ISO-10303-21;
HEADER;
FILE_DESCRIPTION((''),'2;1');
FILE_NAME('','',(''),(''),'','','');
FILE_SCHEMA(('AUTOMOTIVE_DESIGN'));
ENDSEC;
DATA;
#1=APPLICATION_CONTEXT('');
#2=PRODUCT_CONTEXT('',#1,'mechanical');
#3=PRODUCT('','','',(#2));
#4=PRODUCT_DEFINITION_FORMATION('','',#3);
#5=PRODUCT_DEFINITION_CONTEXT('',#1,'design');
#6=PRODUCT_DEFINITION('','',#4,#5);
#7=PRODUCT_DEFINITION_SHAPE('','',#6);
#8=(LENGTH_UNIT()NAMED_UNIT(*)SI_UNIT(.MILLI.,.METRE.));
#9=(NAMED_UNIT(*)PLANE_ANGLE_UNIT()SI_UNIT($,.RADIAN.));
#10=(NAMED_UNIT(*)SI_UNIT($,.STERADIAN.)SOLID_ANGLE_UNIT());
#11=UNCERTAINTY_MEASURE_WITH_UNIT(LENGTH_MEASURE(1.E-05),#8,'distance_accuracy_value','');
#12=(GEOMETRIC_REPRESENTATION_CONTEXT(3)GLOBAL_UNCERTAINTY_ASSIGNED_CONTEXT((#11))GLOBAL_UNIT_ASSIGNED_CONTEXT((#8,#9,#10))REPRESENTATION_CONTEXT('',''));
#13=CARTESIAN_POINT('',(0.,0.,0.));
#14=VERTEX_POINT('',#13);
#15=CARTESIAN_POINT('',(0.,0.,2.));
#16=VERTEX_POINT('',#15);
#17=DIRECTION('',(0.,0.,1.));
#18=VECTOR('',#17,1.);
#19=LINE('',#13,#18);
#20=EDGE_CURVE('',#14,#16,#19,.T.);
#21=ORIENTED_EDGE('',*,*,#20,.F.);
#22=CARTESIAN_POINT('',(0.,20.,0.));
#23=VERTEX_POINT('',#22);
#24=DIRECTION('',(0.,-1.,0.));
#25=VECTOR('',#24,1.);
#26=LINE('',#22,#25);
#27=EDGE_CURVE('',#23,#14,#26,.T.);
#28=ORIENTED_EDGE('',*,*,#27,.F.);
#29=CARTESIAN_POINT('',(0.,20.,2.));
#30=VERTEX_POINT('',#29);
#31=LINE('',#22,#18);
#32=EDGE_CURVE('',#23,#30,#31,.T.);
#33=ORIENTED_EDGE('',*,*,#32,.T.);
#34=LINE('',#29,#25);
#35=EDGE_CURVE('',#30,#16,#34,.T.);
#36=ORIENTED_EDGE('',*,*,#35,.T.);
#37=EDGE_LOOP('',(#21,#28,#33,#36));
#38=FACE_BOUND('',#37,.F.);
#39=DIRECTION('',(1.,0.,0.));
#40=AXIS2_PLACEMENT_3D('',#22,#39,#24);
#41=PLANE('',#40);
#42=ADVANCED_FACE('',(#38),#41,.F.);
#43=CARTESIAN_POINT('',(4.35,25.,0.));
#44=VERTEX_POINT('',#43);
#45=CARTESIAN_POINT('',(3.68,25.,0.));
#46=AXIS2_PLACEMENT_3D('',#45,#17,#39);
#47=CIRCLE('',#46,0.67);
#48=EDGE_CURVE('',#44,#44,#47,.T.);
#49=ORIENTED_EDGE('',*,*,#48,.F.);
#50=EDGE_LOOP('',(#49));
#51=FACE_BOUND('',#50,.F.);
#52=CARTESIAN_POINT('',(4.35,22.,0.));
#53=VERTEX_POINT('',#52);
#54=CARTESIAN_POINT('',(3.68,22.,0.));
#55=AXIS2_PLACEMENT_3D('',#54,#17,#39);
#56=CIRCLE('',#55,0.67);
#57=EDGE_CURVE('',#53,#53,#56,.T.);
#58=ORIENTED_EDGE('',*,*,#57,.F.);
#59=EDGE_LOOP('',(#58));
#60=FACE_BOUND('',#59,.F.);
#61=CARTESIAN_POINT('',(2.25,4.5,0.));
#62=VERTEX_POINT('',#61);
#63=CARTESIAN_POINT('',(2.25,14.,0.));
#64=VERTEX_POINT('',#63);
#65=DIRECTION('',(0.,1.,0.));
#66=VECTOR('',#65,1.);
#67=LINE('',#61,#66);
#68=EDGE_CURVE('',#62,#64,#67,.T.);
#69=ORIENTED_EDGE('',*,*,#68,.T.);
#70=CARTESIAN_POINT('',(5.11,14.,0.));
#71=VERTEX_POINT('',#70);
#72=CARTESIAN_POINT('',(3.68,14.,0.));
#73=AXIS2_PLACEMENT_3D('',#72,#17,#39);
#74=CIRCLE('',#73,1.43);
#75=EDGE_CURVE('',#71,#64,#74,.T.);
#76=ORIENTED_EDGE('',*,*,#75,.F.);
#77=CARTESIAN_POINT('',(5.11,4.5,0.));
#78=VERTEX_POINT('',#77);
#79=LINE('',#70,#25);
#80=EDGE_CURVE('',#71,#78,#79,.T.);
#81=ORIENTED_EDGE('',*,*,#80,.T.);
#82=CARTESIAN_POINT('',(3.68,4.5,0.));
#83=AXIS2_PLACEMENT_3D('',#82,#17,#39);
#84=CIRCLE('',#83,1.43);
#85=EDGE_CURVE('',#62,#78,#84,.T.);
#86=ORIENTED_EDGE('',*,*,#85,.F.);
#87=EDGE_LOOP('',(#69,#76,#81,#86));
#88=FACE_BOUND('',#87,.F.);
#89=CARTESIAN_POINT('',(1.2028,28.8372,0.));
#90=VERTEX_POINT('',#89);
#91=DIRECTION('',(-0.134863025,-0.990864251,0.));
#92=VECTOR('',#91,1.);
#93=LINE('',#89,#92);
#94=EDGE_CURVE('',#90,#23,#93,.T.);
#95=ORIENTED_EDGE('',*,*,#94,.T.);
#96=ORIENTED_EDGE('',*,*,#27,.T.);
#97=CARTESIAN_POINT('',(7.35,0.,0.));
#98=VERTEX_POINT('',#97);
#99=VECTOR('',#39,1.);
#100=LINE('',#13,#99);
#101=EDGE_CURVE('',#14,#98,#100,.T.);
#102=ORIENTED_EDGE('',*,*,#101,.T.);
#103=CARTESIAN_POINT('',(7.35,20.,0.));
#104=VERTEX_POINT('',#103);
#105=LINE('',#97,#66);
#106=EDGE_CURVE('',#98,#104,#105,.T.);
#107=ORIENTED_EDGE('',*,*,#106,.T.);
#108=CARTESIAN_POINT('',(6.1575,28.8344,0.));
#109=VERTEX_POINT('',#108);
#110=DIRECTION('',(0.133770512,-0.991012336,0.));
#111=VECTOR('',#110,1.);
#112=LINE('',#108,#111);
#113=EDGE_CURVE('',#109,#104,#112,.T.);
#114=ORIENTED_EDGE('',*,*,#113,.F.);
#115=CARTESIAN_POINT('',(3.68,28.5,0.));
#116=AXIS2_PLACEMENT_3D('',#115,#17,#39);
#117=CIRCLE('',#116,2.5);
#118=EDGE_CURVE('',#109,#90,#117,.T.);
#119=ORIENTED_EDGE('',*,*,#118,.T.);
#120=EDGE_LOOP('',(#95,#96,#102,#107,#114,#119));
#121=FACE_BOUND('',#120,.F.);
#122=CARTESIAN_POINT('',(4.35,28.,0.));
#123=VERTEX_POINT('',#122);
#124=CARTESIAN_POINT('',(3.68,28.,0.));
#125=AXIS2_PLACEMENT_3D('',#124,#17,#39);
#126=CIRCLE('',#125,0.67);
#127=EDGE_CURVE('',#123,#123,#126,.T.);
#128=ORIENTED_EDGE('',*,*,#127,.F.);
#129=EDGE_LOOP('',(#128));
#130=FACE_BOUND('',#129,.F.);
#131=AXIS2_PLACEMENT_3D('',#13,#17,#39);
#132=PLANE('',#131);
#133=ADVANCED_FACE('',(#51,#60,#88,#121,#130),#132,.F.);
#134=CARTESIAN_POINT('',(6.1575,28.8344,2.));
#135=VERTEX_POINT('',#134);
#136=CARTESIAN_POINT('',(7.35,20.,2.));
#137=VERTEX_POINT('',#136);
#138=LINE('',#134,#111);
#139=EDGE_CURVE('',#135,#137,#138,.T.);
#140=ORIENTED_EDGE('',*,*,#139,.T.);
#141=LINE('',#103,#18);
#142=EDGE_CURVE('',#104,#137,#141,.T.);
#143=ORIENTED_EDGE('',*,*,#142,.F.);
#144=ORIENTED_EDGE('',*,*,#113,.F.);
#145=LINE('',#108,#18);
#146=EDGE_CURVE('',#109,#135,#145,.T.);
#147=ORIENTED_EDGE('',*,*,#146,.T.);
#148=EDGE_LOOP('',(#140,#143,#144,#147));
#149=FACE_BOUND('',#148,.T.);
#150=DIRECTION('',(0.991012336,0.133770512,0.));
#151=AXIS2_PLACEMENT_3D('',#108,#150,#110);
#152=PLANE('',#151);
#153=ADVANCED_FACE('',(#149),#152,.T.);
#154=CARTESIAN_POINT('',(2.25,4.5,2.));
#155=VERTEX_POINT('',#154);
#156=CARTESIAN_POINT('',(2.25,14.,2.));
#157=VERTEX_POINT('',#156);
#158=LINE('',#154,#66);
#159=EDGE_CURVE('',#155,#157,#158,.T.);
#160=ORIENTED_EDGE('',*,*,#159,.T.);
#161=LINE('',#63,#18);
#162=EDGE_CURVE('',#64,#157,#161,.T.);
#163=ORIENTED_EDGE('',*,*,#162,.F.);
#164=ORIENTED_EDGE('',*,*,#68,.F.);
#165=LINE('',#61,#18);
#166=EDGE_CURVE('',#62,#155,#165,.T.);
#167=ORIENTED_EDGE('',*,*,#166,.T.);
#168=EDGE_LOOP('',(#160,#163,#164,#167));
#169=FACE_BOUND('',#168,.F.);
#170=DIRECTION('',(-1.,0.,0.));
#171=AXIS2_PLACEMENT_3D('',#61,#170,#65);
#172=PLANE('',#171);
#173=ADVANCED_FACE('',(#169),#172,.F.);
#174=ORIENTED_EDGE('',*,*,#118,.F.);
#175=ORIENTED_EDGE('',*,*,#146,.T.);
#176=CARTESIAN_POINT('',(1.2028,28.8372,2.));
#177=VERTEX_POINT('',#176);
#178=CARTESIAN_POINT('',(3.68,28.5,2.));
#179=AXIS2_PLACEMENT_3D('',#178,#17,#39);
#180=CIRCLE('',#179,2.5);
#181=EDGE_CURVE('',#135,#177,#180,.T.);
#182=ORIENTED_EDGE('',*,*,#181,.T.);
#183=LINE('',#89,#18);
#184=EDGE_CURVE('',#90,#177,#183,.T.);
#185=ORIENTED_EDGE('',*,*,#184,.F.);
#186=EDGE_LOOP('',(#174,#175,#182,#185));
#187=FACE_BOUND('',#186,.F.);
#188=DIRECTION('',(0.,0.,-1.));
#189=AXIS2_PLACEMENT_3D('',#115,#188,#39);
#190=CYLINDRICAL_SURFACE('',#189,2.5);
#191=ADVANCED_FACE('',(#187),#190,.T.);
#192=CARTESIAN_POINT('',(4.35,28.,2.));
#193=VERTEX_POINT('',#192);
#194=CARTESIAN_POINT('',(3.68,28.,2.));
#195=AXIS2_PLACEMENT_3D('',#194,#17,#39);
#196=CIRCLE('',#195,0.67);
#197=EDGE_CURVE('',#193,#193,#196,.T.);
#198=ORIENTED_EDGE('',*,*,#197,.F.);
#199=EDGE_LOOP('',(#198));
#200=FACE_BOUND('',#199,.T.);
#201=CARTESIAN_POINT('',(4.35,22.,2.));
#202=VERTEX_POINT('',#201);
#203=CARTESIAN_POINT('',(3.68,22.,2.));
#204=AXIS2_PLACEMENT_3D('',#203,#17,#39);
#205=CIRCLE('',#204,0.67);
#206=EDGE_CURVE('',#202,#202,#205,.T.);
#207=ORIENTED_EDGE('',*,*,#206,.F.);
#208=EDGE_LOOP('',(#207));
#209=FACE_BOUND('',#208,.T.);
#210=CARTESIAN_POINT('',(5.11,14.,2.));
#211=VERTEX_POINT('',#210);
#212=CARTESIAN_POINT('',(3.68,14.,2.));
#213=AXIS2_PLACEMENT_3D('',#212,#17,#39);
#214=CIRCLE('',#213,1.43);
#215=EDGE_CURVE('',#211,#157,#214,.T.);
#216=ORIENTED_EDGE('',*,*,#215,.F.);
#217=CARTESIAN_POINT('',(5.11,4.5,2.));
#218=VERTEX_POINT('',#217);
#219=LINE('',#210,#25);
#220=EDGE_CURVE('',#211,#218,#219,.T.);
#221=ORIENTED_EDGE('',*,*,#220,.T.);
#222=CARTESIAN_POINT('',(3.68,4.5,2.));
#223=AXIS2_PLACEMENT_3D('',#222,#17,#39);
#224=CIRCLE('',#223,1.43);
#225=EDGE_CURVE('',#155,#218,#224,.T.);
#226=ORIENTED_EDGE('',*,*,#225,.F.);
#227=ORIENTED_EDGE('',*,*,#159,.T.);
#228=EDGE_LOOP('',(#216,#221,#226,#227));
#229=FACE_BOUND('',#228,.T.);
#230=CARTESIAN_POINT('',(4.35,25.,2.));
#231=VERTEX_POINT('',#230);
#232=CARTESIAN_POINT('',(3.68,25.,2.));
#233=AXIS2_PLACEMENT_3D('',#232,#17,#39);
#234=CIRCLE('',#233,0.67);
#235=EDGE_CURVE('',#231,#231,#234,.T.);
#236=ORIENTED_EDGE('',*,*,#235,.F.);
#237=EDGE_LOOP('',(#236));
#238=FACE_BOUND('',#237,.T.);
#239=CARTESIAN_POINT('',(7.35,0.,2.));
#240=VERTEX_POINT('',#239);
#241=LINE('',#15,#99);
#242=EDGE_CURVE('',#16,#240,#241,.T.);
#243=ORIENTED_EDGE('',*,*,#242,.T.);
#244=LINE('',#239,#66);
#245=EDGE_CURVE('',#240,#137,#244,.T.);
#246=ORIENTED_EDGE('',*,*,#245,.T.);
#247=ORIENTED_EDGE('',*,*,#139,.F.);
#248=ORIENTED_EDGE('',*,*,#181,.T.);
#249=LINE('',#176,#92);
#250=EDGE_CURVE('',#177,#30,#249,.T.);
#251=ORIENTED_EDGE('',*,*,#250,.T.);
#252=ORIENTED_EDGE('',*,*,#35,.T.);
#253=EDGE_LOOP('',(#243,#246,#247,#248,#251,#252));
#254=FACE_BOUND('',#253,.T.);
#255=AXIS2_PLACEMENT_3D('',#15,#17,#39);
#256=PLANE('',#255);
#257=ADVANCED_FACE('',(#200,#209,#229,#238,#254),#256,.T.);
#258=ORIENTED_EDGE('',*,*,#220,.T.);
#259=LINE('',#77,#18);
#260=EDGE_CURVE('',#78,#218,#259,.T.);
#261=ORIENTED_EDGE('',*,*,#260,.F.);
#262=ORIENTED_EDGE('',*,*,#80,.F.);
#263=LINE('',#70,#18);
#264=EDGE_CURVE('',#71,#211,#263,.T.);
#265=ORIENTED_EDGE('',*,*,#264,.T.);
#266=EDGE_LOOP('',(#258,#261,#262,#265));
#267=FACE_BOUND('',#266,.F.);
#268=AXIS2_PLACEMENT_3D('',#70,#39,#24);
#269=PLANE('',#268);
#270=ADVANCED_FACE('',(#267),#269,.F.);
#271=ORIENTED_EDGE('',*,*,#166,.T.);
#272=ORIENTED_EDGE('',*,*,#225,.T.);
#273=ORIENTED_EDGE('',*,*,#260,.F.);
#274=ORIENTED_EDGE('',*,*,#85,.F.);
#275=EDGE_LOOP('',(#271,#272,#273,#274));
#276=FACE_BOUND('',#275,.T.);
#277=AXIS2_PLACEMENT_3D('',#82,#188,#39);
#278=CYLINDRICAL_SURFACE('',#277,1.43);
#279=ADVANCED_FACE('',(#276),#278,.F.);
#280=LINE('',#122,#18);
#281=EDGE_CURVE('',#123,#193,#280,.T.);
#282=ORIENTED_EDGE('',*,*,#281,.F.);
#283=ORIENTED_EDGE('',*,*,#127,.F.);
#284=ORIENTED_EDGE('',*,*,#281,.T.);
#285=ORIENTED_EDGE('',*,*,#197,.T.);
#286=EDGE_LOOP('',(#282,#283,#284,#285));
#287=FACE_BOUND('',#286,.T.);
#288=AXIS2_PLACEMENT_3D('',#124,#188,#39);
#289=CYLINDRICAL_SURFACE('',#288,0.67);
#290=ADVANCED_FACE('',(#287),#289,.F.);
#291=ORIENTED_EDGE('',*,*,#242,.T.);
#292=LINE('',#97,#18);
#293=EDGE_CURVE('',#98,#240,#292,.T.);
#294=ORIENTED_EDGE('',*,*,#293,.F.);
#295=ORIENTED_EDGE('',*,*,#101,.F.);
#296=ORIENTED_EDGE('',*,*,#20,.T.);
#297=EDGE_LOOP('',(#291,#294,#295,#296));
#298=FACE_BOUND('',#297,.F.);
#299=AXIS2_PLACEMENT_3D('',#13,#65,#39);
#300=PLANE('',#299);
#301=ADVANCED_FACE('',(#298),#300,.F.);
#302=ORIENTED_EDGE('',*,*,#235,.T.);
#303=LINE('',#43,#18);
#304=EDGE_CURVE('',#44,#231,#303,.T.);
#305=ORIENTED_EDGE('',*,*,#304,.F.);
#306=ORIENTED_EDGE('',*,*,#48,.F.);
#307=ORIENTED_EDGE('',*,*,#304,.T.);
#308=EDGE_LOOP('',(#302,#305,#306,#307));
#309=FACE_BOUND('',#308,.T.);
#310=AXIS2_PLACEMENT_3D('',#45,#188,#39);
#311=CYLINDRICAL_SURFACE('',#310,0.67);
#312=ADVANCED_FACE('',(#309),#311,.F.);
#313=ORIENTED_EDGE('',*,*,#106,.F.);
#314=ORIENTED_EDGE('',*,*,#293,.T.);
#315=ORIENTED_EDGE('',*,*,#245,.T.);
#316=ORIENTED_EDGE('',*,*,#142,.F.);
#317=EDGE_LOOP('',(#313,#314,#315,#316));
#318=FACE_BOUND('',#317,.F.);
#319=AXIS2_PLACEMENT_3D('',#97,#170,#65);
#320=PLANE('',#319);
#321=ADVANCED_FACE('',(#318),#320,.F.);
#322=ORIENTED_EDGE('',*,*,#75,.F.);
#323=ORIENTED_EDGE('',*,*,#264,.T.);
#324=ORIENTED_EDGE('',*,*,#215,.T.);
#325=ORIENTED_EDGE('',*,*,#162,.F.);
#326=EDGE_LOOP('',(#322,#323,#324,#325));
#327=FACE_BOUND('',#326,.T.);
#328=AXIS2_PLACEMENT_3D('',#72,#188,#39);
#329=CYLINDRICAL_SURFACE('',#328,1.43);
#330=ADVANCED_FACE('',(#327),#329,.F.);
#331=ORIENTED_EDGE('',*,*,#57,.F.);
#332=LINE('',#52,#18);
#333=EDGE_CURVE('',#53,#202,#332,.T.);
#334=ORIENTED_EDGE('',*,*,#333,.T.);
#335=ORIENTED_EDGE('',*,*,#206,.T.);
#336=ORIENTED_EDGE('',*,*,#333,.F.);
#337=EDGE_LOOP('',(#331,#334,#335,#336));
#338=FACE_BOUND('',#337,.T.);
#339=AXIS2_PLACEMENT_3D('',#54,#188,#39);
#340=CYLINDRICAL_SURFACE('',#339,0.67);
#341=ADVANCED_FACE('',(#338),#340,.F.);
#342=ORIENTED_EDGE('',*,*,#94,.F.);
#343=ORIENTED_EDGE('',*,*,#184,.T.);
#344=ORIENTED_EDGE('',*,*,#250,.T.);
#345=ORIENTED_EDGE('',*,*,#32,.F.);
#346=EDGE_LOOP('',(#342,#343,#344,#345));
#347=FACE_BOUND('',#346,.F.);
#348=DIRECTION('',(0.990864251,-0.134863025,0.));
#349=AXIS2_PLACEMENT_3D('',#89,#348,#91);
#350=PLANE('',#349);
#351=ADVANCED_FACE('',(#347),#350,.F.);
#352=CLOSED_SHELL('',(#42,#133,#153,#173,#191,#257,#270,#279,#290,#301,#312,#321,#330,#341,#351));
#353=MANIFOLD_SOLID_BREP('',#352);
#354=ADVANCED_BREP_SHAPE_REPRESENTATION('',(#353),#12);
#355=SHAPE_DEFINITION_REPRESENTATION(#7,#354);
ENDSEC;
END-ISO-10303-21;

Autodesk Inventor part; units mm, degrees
ref_plane "YZ Plane" through (0, 0, 0) normal (1, 0, 0) x (0, 1, 0)
ref_plane "XZ Plane" through (0, 0, 0) normal (0, 1, 0) x (-1, 0, 0)
ref_plane "XY Plane" through (0, 0, 0) normal (0, 0, 1) x (1, 0, 0)
sketch "Sketch1" plane through (0, 0, 0) normal (0, 0, 1) x (1, 0, 0)
  line L0 (0, 0) -> (7.35, 0)
  line L1 (7.35, 0) -> (7.35, 20)
  line L2 (7.35, 20) -> (0, 20)
  line L3 (0, 20) -> (0, 0)
  circle A0 centre (3.68, 28.5) radius 2.5
  line L4 (1.2028, 28.8372) -> (0, 20)
  line L5 (6.1575, 28.8344) -> (7.35, 20)
  circle A1 centre (3.68, 28) radius 0.67
  circle A2 centre (3.68, 4.5) radius 1.43
  circle A3 centre (3.68, 14) radius 1.43
  circle A4 centre (3.68, 25) radius 0.67
  circle A5 centre (3.68, 22) radius 0.67
  line L6 (2.25, 4.5) -> (2.25, 14)
  line L7 (5.11, 14) -> (5.11, 4.5)
  point P0 (5.11, 4.5)
  dimension "d0" = 7.35
  dimension "d1" = 20
  dimension "d2" = 5
  dimension "d3" = 28.5
  dimension "d4" = 3.68
  dimension "d5" = 1.34
  dimension "d6" = 2.86
  dimension "d7" = 2.86
  dimension "d8" = 1.34
  dimension "d9" = 1.34
  dimension "d10" = 28
  dimension "d11" = 3.68
  dimension "d12" = 25
  dimension "d13" = 3.68
  dimension "d14" = 3.68
  dimension "d15" = 22
  dimension "d16" = 14
  dimension "d17" = 4.5
  dimension "d18" = 3.68
  dimension "d19" = 3.68
extrude "Extrusion1" add sketch "Sketch1" along normal blind 2
properties part number "Standard Servo Horn - Linear Arm"
